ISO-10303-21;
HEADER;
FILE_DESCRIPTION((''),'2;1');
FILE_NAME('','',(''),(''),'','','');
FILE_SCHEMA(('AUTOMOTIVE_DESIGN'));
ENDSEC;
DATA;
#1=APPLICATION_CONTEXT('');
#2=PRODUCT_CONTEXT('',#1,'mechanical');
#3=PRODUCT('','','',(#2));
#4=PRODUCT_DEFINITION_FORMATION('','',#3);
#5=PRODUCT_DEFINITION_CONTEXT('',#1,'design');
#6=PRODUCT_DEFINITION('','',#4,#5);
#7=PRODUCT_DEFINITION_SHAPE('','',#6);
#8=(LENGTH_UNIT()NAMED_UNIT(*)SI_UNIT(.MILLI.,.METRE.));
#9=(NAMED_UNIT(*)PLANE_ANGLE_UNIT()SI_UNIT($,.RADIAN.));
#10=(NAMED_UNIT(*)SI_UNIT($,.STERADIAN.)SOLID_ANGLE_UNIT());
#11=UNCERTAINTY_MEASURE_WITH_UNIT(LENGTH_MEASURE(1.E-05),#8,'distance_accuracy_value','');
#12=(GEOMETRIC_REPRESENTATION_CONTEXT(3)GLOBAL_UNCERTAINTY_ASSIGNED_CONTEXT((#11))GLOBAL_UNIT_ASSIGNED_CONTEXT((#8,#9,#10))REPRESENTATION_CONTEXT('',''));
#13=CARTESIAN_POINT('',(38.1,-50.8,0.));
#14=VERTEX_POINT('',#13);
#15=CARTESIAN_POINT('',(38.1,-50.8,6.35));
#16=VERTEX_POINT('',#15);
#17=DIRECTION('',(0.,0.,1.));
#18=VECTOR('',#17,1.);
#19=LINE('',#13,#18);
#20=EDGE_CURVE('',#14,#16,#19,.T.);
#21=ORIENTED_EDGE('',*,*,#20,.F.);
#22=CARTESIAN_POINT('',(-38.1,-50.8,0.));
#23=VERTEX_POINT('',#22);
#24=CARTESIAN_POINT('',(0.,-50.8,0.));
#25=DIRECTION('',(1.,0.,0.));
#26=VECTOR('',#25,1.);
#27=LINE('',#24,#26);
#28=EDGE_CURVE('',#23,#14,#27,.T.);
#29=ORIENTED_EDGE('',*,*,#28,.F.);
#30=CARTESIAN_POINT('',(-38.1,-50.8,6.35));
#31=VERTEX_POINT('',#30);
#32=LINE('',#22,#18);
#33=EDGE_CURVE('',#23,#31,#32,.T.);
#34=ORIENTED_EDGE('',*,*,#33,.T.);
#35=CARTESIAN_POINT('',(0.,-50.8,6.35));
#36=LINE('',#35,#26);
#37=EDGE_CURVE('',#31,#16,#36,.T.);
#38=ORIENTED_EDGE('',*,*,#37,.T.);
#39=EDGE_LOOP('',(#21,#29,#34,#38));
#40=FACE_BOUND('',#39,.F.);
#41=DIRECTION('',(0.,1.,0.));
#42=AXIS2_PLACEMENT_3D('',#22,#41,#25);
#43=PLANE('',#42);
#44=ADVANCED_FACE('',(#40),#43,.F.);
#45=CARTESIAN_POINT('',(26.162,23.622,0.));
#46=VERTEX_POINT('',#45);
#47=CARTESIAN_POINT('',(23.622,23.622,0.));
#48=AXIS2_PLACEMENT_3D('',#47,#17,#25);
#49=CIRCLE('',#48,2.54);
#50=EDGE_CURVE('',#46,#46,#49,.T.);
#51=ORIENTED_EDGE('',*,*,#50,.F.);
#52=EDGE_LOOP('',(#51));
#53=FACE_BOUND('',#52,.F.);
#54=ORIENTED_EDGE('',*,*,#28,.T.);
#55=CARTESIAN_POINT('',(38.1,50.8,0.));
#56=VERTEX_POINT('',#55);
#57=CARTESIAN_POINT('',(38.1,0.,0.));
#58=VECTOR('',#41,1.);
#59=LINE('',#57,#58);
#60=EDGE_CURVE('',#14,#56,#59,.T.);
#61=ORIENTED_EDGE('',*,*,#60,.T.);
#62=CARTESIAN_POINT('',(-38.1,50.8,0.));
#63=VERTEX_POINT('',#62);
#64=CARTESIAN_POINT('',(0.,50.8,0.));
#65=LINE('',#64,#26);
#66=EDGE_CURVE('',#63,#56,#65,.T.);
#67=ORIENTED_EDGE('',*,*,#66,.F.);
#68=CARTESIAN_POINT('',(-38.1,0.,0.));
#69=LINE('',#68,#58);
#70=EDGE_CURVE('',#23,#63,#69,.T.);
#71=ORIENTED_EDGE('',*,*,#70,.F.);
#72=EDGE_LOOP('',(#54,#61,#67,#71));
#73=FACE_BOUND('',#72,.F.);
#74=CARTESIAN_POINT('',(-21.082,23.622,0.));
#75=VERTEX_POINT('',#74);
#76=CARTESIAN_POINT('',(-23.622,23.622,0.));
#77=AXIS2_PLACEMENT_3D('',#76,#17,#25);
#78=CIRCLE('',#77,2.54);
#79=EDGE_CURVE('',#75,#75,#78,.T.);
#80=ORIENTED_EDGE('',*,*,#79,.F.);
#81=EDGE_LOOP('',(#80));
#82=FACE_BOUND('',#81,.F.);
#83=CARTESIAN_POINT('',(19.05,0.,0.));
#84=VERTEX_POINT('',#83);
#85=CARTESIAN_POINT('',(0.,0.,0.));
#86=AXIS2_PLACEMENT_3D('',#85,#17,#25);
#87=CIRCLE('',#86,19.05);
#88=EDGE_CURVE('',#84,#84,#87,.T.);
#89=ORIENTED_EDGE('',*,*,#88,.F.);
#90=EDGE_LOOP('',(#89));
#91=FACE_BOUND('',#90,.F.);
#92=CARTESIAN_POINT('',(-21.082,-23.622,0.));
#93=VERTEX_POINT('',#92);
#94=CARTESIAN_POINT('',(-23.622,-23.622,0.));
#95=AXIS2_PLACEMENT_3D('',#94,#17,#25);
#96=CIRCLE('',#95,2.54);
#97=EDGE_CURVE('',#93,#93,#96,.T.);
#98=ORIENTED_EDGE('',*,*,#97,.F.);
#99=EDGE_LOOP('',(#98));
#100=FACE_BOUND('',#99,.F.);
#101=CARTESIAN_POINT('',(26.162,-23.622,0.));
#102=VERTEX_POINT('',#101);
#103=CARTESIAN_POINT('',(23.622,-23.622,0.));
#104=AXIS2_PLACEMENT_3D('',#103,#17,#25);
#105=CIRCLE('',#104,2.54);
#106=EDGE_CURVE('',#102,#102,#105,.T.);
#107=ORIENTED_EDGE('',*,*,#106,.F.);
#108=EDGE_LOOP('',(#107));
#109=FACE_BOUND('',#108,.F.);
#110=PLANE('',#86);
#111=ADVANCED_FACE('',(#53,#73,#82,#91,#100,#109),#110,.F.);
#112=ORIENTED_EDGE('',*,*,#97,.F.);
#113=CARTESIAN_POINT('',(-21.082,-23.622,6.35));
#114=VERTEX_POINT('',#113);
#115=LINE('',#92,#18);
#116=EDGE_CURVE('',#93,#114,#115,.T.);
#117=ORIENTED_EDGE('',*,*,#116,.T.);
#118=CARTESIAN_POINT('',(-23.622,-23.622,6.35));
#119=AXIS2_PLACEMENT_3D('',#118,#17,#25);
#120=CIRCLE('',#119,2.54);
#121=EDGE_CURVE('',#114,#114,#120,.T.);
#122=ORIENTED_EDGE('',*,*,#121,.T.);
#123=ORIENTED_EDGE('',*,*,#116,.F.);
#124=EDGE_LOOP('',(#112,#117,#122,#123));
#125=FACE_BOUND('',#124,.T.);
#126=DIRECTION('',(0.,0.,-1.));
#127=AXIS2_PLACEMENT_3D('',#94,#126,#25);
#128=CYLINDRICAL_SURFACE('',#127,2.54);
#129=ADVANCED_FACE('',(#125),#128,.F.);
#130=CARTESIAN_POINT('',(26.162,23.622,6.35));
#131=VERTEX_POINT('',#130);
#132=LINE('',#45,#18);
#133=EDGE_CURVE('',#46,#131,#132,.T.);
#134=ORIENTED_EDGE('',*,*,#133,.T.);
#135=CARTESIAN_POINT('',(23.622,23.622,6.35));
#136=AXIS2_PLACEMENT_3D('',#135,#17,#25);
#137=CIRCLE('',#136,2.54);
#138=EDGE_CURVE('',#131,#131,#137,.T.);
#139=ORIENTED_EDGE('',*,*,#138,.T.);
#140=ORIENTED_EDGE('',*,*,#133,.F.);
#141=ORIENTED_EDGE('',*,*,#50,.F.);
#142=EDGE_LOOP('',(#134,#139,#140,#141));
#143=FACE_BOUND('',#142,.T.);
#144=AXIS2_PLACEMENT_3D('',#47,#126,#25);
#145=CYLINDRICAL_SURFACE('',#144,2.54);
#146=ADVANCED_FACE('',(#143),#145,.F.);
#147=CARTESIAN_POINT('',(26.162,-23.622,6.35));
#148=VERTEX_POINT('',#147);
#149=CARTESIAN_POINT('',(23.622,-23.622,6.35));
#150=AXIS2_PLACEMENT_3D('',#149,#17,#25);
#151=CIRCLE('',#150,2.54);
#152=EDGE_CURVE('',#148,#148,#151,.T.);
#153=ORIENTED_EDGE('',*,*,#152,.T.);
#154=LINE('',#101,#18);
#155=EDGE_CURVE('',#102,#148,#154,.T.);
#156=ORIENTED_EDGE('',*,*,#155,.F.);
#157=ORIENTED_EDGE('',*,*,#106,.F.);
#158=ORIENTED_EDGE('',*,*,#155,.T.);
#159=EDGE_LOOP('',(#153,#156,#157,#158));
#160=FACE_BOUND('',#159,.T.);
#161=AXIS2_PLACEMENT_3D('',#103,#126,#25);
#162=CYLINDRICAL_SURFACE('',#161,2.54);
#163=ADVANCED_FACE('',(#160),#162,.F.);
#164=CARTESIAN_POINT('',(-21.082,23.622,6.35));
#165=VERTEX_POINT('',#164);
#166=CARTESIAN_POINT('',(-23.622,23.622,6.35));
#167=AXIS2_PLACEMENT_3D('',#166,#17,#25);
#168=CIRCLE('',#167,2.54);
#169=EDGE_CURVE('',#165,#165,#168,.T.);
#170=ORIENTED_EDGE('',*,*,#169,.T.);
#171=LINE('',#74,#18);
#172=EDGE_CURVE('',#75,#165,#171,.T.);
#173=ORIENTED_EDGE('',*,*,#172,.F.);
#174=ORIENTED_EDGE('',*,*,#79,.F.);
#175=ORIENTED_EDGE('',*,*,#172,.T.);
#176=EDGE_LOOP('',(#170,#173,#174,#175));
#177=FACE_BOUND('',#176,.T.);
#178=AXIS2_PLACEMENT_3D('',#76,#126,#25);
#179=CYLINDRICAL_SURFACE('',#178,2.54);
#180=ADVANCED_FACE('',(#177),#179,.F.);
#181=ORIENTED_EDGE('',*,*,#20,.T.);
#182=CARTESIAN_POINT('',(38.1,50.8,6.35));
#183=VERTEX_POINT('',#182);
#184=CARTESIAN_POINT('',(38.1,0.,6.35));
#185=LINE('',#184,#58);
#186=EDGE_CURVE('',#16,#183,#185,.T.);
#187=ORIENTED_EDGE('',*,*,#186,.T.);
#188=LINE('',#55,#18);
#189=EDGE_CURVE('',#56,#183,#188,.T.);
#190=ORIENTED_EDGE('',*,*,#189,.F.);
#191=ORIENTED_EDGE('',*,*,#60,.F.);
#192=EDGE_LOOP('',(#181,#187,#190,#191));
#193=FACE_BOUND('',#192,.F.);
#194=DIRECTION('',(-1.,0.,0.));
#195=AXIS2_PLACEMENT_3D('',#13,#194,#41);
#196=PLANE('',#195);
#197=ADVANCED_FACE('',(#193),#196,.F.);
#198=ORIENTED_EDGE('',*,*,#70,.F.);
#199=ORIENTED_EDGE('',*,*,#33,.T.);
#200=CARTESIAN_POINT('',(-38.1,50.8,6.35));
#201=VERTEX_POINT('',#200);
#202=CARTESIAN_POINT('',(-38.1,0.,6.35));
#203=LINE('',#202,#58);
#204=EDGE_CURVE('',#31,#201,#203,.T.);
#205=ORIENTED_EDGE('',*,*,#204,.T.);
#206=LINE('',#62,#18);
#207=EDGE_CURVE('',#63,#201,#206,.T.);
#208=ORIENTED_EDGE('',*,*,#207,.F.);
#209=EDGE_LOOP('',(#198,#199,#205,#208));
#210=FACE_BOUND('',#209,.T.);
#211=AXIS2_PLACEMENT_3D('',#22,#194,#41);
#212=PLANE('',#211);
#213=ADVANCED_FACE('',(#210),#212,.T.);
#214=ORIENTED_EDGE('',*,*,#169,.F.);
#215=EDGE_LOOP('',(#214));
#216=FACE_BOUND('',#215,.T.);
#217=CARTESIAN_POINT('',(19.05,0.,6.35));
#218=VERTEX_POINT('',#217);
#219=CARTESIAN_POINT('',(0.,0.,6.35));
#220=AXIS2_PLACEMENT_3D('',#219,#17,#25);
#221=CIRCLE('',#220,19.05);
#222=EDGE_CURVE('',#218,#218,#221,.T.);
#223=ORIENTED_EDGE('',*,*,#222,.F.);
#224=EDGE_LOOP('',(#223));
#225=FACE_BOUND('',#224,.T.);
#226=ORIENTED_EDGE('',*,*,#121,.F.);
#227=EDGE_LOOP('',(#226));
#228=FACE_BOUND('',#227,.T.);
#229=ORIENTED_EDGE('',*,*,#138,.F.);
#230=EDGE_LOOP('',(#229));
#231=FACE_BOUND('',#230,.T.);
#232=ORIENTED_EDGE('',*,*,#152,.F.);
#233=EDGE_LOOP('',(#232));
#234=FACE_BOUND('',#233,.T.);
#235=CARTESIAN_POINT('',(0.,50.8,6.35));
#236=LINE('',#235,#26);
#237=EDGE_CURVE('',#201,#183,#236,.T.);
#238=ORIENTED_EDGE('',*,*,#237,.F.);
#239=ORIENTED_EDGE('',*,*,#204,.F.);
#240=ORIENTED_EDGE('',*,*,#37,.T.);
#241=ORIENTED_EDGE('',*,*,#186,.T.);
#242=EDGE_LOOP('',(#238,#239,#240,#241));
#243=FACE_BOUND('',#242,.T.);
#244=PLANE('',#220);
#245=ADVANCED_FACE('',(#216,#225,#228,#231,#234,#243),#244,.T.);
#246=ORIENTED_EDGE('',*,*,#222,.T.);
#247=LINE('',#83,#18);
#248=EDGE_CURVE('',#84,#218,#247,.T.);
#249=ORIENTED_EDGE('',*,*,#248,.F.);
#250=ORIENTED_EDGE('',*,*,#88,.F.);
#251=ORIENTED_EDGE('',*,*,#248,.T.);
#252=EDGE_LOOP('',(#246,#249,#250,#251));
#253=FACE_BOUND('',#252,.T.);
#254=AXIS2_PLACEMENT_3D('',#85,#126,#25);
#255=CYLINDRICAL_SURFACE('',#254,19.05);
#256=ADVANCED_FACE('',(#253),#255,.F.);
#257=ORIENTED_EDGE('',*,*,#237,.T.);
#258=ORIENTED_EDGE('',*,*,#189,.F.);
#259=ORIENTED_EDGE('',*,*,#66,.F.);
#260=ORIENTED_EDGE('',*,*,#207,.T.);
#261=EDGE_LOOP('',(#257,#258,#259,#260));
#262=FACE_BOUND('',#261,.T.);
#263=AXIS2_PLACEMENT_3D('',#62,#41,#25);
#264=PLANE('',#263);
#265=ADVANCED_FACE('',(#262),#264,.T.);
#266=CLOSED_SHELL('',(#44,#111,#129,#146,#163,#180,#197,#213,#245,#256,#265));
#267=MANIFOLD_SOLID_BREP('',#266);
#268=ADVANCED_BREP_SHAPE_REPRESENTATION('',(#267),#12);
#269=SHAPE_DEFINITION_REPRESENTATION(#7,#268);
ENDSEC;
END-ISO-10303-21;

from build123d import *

# Parameters (mm, degrees)
F0_W     = 76.2
F0_H     = 101.6
F0_R     = 2.54
F0_R_2   = 19.05
F1_DEPTH = 6.35


with BuildPart() as f1:
    # F0 (on Top) → F1 (new body)
    with BuildSketch(Plane.XY):
        Rectangle(F0_W, F0_H)
        with Locations((-23.622, -23.622)):
            Circle(F0_R, mode=Mode.SUBTRACT)
        Circle(F0_R_2, mode=Mode.SUBTRACT)
        with Locations((23.622, -23.622)):
            Circle(F0_R, mode=Mode.SUBTRACT)
        with Locations((-23.622, 23.622)):
            Circle(F0_R, mode=Mode.SUBTRACT)
        with Locations((23.622, 23.622)):
            Circle(F0_R, mode=Mode.SUBTRACT)
    extrude(amount=F1_DEPTH)


solid = f1.part
